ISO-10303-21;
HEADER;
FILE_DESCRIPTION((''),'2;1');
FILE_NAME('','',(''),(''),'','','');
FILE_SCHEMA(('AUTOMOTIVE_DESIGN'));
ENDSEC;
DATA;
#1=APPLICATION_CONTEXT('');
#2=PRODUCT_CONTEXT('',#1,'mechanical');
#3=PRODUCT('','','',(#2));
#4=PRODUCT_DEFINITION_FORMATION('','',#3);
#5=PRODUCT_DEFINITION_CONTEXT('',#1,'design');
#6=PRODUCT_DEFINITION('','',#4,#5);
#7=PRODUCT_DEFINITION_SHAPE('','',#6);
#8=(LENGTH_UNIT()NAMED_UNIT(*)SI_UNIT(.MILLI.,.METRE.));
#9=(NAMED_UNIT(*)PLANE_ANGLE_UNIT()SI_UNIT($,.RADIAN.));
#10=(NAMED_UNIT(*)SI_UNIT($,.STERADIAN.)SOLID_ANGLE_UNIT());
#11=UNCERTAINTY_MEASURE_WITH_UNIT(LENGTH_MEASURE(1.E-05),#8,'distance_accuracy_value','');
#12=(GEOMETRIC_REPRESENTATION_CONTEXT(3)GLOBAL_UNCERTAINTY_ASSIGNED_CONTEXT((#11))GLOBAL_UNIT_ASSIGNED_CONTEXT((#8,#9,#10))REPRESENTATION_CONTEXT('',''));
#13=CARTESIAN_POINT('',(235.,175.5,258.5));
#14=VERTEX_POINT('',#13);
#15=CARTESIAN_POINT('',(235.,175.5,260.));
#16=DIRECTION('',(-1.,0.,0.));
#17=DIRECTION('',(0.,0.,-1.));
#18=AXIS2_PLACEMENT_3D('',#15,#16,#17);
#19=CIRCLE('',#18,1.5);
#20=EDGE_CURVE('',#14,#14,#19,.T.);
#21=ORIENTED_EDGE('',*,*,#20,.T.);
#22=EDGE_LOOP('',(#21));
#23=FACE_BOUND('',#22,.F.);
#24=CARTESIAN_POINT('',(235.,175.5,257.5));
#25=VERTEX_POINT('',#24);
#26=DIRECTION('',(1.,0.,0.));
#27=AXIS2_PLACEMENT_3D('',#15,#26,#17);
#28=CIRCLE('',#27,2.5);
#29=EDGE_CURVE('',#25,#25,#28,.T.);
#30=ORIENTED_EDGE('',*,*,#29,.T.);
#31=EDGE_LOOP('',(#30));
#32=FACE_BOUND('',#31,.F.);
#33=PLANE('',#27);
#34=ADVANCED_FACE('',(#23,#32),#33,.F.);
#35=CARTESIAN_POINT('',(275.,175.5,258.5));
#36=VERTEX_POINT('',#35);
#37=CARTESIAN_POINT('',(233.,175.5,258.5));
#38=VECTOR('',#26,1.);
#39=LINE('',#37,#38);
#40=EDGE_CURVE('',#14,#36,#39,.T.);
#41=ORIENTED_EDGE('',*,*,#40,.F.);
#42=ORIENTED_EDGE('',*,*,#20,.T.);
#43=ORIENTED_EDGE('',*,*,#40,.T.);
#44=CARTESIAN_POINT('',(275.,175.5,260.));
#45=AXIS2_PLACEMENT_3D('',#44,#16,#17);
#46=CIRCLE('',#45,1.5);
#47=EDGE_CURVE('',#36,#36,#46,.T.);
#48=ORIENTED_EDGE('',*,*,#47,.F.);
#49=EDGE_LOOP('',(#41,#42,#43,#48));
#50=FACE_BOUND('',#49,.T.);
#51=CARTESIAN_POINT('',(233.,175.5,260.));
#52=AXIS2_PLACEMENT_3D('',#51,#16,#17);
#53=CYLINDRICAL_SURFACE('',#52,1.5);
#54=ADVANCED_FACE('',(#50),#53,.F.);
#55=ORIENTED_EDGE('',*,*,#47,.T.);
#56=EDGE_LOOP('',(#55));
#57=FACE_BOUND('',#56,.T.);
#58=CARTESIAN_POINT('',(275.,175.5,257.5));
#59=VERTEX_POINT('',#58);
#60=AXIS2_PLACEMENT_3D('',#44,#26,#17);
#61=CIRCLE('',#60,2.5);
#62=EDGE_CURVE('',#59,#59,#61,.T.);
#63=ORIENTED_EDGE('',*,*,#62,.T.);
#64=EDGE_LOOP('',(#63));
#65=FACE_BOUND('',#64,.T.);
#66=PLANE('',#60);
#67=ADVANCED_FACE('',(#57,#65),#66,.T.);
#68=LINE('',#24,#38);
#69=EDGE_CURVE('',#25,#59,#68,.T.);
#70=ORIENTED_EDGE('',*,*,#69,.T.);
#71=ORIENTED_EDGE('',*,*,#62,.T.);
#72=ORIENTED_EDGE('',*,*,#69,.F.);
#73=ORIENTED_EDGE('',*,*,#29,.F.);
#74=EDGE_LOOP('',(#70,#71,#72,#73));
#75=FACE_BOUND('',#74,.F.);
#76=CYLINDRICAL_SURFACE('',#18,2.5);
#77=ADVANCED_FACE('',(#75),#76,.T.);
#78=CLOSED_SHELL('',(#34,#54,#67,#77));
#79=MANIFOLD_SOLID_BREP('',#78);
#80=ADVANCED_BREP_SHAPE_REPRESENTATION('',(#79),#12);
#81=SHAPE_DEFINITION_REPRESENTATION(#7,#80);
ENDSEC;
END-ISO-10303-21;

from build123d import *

# Parameters (mm, degrees)
CYLINDER005_R           = 1.5
CYLINDER005_DEPTH       = 44
CYLINDER005_PITCH_ANGLE = 90
CYLINDER004_R           = 2.5
CYLINDER004_DEPTH       = 40
CYLINDER004_PITCH_ANGLE = 90


with BuildPart() as cilindro005:
    # Cylinder005 → Cylinder005 (new body)
    with BuildSketch(Plane.XY):
        Circle(CYLINDER005_R)
    extrude(amount=CYLINDER005_DEPTH)


with BuildPart() as cilindro005_1:
    # Cylinder005 pitch: moved
    add(cilindro005.part.rotate(Axis((0, 0, 0), (0, 1, 0)), CYLINDER005_PITCH_ANGLE))


with BuildPart() as cilindro005_2:
    # Cylinder005 placement: moved
    add(cilindro005_1.part.moved(Location((-2, 0, 0))))


with BuildPart() as soporte3:
    # Cylinder004 → Cylinder004 (new body)
    with BuildSketch(Plane.XY):
        Circle(CYLINDER004_R)
    extrude(amount=CYLINDER004_DEPTH)


with BuildPart() as soporte3_1:
    # Cylinder004 pitch: moved
    add(soporte3.part.rotate(Axis((0, 0, 0), (0, 1, 0)), CYLINDER004_PITCH_ANGLE))


with BuildPart() as soporte3_2:
    # Cylinder004 placement: moved
    add(soporte3_1.part)

    # Cut002: cut Cilindro005
    add(cilindro005_2.part, mode=Mode.SUBTRACT)


with BuildPart() as soporte3_3:
    # Cut002 placement: moved
    add(soporte3_2.part.moved(Location((235, 175.5, 260))))


solid = soporte3_3.part
